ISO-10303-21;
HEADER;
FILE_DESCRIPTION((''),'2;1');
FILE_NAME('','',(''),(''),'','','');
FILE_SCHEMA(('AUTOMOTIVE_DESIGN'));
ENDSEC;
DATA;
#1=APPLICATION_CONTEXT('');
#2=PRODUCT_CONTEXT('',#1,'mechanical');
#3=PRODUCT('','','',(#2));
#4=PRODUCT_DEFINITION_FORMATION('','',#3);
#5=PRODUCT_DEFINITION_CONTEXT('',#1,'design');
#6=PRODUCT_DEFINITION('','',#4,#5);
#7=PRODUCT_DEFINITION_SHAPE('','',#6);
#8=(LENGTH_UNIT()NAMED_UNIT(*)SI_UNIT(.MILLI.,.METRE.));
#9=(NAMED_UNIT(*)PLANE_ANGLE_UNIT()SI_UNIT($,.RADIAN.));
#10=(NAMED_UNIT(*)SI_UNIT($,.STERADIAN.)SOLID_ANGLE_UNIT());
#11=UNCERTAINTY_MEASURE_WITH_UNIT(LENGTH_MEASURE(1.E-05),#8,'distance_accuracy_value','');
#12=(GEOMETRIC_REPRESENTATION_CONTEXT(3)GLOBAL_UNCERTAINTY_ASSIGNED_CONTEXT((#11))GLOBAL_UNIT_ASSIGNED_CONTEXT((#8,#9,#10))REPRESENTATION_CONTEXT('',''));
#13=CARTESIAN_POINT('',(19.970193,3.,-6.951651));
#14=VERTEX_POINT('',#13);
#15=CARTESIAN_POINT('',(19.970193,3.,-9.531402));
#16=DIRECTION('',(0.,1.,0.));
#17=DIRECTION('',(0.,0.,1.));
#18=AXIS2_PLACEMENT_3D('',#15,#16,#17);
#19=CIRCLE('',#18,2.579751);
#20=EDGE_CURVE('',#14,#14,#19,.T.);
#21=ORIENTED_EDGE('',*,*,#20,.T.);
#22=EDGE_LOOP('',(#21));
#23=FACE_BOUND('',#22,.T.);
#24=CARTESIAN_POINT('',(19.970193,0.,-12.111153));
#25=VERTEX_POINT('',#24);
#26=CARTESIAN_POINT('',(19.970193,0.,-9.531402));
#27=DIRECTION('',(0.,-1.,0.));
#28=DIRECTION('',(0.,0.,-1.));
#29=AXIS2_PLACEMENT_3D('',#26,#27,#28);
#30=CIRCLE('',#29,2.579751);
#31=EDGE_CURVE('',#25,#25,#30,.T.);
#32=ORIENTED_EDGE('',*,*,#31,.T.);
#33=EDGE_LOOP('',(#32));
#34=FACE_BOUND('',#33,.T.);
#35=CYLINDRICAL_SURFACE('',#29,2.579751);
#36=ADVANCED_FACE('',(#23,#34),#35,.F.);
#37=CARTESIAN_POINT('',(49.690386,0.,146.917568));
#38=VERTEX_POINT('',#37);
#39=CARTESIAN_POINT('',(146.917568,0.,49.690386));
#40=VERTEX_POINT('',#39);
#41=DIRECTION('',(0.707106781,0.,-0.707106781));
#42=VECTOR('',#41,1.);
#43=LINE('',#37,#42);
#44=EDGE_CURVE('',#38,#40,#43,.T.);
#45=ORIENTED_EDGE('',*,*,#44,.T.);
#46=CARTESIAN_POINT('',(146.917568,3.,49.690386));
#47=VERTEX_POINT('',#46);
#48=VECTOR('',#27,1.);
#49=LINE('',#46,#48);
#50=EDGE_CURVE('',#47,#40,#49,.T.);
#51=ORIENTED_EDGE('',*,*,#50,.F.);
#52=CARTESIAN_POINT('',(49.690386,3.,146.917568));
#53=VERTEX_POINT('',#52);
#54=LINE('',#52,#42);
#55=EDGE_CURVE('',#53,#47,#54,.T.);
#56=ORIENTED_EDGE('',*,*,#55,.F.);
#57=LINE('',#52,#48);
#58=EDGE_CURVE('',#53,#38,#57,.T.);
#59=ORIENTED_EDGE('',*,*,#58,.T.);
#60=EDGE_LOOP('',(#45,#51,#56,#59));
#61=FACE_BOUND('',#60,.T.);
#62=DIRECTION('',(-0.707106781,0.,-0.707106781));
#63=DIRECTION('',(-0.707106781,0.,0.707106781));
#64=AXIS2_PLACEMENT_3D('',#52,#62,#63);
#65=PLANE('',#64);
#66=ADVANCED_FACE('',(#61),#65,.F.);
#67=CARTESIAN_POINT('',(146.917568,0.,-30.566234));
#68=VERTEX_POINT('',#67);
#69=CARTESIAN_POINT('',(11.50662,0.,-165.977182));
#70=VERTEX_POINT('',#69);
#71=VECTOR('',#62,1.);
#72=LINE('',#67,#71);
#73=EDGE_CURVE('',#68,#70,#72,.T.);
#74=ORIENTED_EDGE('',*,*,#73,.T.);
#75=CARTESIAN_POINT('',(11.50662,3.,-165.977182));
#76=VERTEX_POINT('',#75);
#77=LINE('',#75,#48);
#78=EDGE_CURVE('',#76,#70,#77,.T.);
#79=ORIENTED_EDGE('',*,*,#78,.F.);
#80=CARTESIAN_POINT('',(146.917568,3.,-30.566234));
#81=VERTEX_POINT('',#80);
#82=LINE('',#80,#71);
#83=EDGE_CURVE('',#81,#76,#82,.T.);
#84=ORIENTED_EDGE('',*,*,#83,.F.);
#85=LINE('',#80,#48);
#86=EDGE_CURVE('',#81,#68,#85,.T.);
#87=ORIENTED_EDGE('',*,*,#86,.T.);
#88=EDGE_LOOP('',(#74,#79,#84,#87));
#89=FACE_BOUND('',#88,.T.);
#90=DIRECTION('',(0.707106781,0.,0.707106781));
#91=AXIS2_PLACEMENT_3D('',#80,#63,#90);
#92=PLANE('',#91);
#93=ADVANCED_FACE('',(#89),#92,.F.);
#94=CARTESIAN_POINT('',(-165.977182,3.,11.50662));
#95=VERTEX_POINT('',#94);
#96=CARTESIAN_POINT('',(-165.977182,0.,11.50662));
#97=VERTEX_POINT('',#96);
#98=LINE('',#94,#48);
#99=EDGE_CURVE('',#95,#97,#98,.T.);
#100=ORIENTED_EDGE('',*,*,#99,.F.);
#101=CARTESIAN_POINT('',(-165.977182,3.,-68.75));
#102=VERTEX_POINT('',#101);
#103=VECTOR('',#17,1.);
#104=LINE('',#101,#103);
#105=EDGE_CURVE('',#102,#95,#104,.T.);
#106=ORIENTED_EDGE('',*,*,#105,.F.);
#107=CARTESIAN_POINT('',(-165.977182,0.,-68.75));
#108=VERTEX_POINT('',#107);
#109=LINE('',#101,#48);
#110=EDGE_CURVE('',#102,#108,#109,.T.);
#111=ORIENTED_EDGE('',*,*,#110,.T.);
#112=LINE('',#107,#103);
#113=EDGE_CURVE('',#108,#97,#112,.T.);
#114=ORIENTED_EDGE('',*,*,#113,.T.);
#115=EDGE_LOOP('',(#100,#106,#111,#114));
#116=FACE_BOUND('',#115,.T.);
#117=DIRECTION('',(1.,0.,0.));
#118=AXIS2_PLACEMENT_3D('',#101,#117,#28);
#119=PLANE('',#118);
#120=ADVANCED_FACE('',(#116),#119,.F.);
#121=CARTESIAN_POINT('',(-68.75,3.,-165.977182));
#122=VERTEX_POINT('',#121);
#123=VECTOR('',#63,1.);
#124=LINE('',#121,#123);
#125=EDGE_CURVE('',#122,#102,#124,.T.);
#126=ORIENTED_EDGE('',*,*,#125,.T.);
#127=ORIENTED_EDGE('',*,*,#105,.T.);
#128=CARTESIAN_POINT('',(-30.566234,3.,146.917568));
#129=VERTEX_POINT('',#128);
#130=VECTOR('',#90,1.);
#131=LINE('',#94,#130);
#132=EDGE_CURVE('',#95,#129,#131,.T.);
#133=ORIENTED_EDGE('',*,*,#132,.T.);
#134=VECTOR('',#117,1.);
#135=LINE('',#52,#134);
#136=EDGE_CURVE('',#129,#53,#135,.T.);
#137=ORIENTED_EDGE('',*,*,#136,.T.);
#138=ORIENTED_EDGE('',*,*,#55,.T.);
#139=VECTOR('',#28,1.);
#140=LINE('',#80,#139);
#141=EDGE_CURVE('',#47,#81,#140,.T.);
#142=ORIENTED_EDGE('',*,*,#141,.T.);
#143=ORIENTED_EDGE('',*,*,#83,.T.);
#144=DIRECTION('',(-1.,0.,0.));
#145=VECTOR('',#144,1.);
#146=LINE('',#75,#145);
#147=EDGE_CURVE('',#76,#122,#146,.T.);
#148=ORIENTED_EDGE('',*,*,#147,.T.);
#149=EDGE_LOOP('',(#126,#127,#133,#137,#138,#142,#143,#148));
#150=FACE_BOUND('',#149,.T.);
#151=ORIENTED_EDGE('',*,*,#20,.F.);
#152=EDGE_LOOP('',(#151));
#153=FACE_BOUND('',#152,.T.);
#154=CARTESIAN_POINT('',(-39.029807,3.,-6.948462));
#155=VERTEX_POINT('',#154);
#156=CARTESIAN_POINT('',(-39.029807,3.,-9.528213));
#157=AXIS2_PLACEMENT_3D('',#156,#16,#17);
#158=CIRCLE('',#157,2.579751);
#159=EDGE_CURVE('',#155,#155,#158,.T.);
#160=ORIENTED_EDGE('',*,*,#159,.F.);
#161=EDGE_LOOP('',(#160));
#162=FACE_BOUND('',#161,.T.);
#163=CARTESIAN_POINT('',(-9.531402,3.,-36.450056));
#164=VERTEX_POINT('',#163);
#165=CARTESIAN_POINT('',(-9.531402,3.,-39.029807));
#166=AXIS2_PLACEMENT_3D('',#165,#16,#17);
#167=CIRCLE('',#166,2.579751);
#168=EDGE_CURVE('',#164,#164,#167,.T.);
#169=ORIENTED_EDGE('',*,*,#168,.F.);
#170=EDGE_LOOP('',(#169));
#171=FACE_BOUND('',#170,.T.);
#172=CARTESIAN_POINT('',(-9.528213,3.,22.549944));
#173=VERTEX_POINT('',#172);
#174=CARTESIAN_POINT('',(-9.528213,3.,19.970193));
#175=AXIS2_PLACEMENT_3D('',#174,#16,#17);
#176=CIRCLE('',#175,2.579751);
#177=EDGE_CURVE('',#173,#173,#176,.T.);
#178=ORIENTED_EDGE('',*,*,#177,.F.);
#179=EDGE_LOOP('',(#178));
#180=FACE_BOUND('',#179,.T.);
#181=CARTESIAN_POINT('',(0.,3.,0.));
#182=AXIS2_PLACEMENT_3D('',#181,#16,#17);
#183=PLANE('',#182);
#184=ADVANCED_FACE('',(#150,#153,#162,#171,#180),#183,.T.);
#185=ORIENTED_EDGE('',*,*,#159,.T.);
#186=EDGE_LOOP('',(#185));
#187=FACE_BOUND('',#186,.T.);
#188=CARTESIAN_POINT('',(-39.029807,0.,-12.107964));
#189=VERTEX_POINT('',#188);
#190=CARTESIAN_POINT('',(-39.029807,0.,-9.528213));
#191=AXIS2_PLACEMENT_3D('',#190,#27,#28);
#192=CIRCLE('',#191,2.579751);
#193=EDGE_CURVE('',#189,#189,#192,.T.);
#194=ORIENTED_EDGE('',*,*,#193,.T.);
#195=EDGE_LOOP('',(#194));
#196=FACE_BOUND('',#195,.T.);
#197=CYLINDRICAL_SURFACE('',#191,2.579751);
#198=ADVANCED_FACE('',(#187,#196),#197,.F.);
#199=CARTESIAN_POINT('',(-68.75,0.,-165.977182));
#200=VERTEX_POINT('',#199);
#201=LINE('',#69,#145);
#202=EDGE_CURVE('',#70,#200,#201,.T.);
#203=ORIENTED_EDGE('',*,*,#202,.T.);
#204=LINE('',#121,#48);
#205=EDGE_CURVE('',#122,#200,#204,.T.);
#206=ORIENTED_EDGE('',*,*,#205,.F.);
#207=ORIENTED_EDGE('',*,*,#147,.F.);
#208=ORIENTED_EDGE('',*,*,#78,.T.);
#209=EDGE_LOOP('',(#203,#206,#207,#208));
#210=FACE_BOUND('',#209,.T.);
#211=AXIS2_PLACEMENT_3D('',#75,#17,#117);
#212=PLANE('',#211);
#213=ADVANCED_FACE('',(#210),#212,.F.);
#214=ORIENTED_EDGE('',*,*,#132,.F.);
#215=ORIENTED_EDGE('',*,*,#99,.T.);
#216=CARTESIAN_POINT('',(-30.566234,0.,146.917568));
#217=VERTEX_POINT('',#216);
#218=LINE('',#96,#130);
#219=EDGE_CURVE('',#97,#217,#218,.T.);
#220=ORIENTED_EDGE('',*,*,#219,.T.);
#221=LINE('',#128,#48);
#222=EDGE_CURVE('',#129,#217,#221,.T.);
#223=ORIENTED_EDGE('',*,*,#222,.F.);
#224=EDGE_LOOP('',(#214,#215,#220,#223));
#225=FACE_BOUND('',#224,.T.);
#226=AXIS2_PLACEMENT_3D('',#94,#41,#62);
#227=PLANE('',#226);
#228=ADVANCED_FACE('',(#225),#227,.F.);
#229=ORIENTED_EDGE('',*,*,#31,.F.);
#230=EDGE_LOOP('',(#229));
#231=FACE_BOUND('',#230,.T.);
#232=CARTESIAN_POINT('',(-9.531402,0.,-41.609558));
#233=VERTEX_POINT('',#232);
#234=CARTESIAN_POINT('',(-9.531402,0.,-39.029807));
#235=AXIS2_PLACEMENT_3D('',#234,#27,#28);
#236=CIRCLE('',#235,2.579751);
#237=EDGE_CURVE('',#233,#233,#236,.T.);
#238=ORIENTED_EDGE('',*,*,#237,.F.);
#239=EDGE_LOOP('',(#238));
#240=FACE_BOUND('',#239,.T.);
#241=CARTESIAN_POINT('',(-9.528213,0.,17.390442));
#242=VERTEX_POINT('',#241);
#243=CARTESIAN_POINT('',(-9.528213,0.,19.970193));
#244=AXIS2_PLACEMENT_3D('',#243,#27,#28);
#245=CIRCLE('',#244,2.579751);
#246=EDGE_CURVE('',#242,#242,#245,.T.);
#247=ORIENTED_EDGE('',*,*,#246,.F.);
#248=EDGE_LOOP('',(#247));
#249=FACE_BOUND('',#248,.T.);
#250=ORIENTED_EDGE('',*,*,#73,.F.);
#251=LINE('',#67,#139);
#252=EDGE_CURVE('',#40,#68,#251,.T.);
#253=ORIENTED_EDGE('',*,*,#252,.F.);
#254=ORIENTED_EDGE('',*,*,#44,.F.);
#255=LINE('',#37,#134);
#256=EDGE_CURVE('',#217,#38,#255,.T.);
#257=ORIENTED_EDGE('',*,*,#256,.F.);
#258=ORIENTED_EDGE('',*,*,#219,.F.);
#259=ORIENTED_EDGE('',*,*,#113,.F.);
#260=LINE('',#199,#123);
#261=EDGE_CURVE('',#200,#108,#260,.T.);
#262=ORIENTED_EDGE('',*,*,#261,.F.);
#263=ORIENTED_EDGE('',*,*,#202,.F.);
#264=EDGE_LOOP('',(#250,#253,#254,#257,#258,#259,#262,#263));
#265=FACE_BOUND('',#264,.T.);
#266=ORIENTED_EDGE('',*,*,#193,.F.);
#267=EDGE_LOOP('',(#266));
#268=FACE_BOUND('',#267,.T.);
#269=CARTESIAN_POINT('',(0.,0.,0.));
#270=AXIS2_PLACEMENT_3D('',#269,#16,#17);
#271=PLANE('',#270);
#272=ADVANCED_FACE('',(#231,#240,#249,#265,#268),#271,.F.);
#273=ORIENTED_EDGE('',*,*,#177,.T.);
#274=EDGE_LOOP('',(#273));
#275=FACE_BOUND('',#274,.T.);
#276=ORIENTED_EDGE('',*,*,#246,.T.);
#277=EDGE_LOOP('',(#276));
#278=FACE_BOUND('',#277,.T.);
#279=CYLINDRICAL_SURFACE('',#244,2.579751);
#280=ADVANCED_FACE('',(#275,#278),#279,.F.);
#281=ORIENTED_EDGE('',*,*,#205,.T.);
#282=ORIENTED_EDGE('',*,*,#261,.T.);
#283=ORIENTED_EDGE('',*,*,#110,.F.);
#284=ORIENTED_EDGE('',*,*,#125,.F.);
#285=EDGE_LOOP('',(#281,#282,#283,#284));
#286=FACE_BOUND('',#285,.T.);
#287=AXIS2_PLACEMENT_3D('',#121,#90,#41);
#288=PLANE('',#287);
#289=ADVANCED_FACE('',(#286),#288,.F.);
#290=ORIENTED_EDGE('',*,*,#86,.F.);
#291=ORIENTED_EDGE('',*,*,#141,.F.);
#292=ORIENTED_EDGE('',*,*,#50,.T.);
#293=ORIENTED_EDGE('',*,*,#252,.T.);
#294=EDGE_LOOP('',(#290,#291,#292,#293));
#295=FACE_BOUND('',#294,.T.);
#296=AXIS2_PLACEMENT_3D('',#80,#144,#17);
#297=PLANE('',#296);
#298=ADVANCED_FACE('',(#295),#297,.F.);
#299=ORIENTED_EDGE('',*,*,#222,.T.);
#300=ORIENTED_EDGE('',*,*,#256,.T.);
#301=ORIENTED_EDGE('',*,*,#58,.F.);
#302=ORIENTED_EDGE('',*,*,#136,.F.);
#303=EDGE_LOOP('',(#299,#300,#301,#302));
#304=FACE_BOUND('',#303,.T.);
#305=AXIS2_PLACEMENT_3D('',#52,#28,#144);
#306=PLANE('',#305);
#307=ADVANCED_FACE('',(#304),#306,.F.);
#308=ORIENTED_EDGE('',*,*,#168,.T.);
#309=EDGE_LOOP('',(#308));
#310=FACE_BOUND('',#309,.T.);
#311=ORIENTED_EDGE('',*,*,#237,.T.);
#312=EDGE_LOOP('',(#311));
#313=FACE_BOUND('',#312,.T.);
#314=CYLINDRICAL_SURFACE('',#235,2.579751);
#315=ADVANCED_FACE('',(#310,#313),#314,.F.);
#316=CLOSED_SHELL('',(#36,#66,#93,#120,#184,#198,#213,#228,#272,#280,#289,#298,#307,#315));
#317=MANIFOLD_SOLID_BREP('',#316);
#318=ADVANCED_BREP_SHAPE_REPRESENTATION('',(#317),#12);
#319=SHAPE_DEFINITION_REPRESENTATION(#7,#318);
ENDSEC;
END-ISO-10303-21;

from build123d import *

# Parameters (mm, degrees)
BOSS_EXTRUDE2_DEPTH              = 3
F_13_64_0_20313_DIAMETER_HOLE1_D = 5.159502


with BuildPart() as part:
    # Sketch3 → Boss-Extrude2 (new body)
    with BuildSketch(Plane(origin=(0, 0, 0), x_dir=(1, 0, 0), z_dir=(0, 1, 0))):
        Polygon((146.917568262, 30.566233816), (11.506619665, 165.977182413), (-68.75, 165.977182413), (-165.977182413, 68.75), (-165.977182413, -11.506619665), (-30.566233816, -146.917568262), (49.690385849, -146.917568262), (146.917568262, -49.690385849), align=None)
    extrude(amount=BOSS_EXTRUDE2_DEPTH)

    # 13/64 (0.20313) Diameter Hole1 (through all)
    with Locations(Plane(origin=(0, 0, 0), x_dir=(-1, 0, 0), z_dir=(0, -1, 0))):
        with Locations((39.029807033, 9.528212544), (9.528212544, -19.970192881), (-19.970192881, 9.531401607), (9.531401607, 39.029807033)):
            Hole(F_13_64_0_20313_DIAMETER_HOLE1_D / 2)


solid = part.part
